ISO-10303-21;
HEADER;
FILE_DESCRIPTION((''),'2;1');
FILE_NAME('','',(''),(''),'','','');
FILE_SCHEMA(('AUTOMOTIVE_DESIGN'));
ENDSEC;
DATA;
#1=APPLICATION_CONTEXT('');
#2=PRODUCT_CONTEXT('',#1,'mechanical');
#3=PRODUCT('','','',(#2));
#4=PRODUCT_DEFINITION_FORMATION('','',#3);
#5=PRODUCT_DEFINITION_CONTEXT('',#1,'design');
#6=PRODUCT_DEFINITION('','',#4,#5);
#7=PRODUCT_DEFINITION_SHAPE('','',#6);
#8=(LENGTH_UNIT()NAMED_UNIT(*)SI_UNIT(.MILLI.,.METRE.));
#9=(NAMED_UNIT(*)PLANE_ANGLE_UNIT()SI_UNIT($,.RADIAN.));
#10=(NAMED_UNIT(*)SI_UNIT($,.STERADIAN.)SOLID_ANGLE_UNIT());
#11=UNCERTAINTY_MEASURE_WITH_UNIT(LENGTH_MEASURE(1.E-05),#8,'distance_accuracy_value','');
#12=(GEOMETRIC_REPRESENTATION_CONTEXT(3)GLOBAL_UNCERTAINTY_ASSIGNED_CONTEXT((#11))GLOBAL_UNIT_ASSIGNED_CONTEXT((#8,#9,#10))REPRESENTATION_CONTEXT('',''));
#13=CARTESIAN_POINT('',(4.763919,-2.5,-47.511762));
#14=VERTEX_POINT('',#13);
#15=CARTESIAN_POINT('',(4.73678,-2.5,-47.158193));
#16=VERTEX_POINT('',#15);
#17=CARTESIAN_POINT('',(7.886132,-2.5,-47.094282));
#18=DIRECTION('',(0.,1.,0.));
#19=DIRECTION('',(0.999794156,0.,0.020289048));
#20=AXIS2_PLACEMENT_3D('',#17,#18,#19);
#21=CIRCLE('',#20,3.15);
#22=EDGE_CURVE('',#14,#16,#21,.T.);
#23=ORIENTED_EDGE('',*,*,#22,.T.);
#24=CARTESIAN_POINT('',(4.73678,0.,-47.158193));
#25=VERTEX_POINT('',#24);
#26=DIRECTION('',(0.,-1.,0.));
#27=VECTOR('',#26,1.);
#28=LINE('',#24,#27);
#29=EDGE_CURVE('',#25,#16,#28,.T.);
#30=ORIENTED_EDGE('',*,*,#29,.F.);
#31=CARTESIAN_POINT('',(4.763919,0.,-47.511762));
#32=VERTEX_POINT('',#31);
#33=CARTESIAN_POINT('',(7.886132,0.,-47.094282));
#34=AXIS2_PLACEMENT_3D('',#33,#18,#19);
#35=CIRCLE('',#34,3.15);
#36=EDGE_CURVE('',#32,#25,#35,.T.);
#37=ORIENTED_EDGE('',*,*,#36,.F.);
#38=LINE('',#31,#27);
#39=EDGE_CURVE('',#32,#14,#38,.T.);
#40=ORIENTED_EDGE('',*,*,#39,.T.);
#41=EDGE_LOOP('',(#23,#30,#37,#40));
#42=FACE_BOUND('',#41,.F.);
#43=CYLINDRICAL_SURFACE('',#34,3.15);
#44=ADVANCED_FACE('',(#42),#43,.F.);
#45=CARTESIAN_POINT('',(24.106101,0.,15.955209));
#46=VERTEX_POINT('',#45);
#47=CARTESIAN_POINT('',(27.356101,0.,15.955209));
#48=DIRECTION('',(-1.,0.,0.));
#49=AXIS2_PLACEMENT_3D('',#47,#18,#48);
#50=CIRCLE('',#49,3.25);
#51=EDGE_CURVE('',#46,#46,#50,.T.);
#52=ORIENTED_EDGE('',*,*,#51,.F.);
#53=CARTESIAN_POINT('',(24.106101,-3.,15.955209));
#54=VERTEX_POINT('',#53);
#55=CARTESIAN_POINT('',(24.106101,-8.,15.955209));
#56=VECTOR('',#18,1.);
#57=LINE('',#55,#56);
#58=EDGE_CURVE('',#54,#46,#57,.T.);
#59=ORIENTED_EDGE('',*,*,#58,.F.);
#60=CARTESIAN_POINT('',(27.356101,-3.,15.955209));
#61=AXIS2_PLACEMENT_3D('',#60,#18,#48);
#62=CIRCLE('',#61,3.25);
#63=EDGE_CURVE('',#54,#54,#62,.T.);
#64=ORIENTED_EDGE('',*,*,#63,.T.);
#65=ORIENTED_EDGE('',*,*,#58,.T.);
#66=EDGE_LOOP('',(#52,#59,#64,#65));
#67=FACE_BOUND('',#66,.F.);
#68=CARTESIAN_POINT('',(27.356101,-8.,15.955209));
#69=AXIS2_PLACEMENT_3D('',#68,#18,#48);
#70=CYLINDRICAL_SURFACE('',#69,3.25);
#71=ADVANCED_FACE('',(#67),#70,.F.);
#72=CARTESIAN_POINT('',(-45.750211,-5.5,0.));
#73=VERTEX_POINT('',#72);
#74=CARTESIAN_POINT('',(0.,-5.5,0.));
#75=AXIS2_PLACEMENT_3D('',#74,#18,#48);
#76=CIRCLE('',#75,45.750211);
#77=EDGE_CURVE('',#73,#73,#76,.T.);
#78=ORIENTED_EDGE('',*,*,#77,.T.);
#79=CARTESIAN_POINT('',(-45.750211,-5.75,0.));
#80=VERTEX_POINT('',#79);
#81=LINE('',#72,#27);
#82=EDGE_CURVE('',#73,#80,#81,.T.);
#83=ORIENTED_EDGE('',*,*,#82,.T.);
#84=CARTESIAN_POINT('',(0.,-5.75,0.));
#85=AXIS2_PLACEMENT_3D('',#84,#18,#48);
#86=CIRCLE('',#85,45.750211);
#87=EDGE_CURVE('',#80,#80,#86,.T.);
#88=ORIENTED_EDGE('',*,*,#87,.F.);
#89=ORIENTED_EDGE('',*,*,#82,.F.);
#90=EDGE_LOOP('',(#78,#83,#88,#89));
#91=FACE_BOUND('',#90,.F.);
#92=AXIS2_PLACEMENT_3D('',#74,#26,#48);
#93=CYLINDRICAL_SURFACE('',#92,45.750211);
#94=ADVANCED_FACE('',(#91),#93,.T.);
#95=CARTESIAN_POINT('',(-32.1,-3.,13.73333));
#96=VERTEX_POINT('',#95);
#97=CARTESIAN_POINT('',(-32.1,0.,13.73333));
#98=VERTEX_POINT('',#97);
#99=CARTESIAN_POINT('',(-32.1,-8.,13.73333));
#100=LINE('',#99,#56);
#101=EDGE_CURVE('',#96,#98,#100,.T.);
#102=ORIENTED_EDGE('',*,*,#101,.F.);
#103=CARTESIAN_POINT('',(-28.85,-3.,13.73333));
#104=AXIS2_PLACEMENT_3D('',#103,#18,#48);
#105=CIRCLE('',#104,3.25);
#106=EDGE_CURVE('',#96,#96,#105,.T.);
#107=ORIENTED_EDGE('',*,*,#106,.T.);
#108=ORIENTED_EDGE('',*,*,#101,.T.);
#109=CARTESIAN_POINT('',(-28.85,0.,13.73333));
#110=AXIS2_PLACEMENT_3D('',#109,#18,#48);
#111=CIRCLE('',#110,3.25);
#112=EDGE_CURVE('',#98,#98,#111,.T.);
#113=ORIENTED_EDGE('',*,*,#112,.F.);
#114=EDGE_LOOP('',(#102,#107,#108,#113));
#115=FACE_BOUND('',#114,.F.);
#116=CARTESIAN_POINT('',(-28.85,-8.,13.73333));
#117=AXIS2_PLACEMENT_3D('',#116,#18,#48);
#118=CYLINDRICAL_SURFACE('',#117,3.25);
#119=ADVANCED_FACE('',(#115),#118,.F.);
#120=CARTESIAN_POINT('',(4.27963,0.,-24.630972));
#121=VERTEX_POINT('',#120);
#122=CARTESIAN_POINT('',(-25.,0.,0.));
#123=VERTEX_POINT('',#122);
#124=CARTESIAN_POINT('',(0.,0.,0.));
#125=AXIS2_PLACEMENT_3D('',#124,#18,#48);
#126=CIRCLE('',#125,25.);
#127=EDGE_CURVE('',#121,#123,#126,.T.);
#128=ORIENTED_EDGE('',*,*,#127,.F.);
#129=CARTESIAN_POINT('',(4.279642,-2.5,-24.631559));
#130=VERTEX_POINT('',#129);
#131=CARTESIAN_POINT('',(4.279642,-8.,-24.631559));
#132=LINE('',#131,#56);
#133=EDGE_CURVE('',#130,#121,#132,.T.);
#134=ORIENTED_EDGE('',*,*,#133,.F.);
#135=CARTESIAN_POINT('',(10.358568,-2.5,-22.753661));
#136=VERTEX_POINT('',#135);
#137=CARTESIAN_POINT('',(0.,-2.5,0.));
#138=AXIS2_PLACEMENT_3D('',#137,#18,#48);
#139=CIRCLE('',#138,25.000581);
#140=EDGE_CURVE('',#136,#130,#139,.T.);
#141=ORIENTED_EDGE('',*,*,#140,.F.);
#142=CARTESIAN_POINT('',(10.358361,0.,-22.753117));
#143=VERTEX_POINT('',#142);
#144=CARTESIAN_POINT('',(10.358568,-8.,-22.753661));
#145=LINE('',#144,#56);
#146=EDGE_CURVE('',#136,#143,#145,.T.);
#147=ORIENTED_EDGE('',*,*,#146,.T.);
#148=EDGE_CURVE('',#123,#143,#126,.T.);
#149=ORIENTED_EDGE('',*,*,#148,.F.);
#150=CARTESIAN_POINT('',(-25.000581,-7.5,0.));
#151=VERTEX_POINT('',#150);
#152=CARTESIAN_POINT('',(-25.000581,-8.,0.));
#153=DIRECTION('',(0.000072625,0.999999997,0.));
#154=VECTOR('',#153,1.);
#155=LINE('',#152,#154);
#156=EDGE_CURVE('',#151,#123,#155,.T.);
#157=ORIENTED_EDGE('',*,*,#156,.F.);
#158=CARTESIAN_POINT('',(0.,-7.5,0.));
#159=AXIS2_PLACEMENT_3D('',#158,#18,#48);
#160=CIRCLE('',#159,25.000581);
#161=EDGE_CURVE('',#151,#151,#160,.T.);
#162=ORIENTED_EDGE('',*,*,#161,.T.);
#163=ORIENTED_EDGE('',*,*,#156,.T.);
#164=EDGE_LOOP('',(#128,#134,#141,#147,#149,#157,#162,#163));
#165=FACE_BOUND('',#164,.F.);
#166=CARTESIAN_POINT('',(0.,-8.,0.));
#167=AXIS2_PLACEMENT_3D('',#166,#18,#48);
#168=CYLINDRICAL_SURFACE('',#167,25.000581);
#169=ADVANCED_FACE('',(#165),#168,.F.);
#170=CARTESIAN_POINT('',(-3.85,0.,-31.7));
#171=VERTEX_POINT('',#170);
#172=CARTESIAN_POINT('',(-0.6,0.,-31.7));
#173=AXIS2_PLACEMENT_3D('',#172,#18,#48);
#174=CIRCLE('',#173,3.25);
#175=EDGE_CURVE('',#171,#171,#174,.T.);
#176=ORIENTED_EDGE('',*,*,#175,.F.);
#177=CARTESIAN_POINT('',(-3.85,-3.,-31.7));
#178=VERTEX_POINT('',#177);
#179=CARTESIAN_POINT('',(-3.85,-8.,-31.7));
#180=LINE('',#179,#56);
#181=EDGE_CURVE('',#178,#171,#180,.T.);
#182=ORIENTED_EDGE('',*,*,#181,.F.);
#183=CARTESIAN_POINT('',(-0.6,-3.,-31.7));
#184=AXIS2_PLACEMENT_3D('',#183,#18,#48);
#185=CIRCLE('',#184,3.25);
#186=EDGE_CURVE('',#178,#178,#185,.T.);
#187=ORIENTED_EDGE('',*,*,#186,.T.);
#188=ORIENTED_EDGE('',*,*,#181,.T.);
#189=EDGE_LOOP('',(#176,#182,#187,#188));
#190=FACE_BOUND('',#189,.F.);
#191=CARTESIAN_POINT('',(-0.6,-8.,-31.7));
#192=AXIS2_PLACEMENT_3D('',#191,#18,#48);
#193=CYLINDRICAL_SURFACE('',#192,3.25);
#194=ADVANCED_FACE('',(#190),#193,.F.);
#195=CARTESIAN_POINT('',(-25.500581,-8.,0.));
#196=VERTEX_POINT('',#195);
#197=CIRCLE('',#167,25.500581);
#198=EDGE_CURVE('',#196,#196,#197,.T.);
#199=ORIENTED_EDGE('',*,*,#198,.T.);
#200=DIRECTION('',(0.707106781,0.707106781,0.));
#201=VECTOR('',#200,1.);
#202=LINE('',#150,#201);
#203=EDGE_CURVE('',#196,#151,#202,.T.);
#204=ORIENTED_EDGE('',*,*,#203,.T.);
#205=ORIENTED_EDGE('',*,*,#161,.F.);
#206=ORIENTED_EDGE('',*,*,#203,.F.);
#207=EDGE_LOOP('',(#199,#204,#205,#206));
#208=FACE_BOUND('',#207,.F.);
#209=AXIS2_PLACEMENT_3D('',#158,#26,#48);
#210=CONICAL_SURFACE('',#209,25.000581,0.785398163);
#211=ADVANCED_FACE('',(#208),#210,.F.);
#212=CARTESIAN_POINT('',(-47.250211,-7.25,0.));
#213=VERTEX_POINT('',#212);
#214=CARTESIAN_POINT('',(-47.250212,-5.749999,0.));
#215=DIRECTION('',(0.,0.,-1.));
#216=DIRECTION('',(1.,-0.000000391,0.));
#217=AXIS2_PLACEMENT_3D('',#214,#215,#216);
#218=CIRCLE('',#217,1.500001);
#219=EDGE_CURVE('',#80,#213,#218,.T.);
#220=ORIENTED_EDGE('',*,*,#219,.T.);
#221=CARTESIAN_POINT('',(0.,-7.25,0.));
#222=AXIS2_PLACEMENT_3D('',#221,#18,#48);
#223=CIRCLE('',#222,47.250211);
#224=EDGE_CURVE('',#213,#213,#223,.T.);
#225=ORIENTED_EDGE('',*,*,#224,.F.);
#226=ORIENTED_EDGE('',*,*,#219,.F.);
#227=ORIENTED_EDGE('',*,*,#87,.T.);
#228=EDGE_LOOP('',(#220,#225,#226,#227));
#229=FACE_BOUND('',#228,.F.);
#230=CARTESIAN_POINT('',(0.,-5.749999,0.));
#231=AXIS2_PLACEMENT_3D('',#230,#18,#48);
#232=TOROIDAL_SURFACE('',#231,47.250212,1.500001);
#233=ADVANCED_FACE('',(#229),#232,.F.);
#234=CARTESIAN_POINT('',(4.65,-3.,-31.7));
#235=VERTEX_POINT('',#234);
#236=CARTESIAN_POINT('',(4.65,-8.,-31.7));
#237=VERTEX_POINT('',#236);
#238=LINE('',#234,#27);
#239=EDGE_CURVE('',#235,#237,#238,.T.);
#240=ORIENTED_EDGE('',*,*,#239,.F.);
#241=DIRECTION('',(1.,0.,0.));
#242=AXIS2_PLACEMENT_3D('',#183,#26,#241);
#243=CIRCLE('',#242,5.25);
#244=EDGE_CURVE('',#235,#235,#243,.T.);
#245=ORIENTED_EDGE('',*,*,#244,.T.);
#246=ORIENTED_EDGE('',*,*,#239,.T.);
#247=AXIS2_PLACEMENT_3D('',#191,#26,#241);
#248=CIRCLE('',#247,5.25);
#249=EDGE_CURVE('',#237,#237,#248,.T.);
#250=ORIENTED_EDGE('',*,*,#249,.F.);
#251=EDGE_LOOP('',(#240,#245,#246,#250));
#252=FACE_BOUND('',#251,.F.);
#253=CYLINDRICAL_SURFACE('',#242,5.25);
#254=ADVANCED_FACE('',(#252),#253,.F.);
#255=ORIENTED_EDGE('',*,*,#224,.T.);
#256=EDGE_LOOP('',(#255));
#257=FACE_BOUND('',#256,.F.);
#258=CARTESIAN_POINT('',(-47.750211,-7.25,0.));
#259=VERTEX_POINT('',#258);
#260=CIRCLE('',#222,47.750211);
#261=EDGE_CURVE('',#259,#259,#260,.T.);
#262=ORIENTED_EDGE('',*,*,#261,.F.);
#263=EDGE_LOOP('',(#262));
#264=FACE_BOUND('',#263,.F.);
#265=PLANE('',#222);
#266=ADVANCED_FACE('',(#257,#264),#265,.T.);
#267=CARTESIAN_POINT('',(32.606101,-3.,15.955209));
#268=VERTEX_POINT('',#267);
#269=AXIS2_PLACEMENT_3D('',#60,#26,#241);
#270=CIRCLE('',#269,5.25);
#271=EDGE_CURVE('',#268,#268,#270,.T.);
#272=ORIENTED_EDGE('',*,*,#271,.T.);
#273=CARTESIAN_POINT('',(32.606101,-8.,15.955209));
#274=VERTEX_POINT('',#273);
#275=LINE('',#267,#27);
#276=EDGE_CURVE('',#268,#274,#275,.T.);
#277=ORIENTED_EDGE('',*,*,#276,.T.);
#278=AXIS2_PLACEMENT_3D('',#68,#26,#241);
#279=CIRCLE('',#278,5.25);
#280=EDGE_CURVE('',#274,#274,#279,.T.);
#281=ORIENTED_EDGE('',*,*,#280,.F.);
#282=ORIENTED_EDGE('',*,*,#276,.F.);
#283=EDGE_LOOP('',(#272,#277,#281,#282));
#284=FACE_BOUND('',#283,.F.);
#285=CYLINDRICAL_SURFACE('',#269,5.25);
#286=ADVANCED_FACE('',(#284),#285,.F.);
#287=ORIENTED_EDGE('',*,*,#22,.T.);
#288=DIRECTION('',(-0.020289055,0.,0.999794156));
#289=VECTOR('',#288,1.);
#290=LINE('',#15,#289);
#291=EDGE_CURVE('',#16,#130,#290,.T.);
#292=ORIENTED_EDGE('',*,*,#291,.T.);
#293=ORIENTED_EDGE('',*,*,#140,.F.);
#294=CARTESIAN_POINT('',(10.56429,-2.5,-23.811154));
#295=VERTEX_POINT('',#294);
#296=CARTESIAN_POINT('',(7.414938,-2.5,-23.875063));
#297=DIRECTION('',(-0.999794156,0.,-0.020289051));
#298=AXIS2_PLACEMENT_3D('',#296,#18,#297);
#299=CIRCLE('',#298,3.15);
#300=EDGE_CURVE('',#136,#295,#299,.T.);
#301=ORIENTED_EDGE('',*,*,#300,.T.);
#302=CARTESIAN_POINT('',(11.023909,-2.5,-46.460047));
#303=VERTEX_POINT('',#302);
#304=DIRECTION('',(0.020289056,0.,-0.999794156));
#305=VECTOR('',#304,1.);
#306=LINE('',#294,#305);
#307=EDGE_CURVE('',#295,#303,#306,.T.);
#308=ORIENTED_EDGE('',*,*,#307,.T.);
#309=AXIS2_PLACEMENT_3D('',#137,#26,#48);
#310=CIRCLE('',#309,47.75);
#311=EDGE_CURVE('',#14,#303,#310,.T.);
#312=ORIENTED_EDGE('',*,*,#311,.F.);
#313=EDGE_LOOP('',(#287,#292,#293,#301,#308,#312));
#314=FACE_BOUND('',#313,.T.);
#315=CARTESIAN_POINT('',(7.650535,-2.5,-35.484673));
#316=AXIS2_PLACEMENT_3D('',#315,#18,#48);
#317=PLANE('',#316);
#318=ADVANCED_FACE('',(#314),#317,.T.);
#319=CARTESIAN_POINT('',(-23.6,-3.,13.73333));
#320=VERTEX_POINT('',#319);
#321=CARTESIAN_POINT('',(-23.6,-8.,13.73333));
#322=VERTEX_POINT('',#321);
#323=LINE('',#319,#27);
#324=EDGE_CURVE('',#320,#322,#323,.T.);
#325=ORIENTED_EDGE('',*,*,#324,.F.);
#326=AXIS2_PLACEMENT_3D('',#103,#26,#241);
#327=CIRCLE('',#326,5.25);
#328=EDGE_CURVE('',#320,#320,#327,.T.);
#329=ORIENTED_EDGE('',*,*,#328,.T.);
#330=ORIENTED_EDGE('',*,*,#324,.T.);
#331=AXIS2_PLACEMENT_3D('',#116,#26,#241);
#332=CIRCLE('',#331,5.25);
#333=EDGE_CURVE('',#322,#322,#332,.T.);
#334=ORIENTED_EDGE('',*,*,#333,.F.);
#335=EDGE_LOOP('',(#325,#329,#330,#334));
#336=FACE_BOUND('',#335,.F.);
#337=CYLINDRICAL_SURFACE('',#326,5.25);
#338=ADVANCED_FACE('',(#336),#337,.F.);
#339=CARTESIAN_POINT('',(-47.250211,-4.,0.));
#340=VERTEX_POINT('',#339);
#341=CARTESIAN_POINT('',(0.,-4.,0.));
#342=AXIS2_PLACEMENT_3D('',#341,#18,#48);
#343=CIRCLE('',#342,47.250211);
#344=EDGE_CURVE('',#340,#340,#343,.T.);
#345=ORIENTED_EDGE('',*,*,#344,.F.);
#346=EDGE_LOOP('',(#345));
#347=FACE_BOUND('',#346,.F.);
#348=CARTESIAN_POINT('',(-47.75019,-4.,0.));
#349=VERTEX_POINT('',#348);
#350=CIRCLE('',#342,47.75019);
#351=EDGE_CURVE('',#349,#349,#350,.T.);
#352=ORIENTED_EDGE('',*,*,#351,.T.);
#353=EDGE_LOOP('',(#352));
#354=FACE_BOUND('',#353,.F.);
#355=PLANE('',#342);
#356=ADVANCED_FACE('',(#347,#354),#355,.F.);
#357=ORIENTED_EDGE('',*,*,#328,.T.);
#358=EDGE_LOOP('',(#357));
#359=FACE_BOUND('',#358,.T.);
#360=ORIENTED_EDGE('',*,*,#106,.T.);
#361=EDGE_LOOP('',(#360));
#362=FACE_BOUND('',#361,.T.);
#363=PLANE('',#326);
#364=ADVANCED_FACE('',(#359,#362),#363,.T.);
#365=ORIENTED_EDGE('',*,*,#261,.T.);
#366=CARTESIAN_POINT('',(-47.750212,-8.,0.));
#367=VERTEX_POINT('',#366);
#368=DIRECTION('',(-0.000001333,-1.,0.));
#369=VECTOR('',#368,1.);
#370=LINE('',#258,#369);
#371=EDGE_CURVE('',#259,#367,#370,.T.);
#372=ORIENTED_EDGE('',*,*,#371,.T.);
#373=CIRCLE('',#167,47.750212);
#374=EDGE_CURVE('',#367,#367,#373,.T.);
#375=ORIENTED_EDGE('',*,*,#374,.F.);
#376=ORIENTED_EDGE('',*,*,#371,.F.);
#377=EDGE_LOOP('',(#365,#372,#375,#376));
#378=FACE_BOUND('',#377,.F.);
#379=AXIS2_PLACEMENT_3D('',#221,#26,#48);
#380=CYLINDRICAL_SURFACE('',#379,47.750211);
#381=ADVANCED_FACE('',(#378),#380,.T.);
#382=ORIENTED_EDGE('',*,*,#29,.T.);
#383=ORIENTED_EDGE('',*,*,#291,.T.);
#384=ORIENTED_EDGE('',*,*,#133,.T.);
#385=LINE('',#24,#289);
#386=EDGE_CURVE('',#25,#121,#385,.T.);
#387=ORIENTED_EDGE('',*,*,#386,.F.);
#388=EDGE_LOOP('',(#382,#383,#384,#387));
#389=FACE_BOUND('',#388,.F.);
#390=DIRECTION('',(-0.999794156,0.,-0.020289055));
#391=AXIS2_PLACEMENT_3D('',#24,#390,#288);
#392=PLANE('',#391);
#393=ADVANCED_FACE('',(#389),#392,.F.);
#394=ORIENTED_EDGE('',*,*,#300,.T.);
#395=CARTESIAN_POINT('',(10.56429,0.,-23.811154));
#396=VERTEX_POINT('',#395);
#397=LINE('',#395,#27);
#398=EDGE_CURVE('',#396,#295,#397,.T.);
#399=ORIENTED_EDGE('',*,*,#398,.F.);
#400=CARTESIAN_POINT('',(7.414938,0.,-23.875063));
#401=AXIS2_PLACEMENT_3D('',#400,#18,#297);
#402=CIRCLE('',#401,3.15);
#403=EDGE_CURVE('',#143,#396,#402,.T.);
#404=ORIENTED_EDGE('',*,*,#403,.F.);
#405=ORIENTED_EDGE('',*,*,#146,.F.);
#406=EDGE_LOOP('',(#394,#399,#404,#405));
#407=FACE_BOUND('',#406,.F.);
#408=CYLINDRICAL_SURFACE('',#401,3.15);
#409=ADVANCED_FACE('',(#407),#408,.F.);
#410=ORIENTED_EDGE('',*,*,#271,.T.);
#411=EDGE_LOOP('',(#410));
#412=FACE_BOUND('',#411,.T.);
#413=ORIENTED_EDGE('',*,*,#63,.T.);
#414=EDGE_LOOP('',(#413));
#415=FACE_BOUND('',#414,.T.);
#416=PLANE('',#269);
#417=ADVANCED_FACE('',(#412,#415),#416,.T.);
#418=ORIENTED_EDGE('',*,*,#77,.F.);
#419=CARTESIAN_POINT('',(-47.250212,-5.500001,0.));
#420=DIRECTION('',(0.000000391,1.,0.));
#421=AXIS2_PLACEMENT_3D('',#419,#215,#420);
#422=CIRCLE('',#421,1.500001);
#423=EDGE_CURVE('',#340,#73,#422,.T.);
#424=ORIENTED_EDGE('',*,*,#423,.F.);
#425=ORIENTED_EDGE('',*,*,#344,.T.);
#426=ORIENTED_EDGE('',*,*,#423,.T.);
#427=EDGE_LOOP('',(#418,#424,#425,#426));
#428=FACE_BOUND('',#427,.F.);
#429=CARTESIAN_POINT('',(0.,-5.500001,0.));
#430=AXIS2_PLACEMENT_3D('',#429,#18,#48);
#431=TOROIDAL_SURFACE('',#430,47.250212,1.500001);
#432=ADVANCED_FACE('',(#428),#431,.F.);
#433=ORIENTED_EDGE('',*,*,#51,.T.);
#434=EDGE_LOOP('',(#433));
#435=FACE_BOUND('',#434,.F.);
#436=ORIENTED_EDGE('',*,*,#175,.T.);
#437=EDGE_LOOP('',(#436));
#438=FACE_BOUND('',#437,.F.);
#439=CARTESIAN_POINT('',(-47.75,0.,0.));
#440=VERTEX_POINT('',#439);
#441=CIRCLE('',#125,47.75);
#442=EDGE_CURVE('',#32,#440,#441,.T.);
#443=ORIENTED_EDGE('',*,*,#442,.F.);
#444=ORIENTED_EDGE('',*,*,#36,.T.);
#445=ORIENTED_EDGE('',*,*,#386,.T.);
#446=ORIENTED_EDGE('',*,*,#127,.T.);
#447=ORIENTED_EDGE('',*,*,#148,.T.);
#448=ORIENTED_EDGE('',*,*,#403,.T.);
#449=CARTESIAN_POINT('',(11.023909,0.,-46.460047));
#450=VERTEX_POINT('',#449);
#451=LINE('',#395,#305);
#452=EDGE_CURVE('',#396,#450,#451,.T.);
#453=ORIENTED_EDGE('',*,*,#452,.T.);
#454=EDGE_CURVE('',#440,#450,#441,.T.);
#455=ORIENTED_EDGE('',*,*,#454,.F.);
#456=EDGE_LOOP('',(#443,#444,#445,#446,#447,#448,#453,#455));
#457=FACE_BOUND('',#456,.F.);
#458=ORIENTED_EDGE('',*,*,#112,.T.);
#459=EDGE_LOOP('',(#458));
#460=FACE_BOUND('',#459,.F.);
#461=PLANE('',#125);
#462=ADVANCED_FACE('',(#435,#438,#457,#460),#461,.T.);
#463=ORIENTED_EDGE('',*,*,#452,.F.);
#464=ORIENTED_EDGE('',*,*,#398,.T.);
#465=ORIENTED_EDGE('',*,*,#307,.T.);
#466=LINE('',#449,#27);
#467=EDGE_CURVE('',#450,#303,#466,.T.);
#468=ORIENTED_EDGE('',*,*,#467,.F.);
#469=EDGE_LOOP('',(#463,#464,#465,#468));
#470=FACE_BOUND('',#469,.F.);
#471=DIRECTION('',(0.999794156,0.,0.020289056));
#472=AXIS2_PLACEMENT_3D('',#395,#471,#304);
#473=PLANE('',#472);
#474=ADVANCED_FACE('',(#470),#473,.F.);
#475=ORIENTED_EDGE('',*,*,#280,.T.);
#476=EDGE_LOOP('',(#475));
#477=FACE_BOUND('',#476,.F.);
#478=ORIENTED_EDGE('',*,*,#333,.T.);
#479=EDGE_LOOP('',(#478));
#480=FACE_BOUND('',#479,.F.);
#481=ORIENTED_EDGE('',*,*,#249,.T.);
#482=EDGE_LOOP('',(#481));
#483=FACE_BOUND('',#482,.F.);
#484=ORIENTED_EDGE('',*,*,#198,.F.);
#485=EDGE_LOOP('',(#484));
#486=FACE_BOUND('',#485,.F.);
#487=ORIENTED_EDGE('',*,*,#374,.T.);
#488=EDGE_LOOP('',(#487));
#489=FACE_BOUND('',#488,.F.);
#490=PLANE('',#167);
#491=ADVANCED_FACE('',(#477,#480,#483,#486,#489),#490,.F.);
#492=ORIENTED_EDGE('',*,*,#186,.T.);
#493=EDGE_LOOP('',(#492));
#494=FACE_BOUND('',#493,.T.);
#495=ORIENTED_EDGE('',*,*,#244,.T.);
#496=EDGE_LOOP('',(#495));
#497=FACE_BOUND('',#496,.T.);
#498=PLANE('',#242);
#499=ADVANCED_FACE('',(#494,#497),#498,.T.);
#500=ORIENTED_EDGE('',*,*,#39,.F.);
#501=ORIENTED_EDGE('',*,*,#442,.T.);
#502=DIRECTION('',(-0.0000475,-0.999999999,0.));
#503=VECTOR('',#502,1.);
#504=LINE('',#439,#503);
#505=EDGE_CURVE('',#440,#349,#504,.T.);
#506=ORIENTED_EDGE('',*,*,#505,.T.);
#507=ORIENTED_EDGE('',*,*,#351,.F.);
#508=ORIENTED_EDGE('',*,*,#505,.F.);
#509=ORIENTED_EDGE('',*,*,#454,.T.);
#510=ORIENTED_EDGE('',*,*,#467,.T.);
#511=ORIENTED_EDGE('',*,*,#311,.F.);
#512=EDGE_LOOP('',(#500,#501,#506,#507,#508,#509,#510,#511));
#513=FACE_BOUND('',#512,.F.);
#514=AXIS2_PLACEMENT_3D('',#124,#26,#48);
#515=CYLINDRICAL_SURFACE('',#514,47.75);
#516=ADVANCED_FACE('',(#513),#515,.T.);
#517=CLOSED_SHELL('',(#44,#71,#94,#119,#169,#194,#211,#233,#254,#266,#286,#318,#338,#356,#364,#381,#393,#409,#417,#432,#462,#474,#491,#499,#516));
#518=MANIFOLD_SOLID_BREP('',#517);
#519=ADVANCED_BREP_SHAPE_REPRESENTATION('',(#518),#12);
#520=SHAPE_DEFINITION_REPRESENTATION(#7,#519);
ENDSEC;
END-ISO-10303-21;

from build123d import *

# Parameters (mm, degrees)
F2_SIZE        = 0.5
F4_DEPTH       = 2.5
F6_D           = 6.5
F6_CBORE_D     = 10.5
F6_CBORE_DEPTH = 5


with BuildPart() as f1:
    # F0 (on Top) → F1 (revolve)
    with BuildSketch(Plane.XY):
        with BuildLine():
            Line((-47.750211, -7.25), (-47.750212, -8))
            Line((-47.750212, -8), (-25.000581, -8))
            Line((-25.000581, -8), (-25, 0))
            Line((-25, 0), (-47.75, 0))
            Line((-47.75, 0), (-47.75019, -4))
            Line((-47.75019, -4), (-47.250211, -4))
            ThreePointArc((-47.250211, -4), (-46.189551, -4.43934), (-45.750211, -5.5))
            Line((-45.750211, -5.5), (-45.750211, -5.75))
            ThreePointArc((-45.750211, -5.75), (-46.189551, -6.81066), (-47.250211, -7.25))
            Line((-47.250211, -7.25), (-47.750211, -7.25))
        make_face()
    revolve(axis=Axis((0, 4.349666, 0), (0, 1, 0)))

    # F2
    f2_edges = [f1.edges().sort_by_distance(p)[0] for p in [
        (25.000581, -8, 0),
    ]]
    chamfer(f2_edges, length=F2_SIZE)

    # F3 (on face) → F4 (cut)
    with BuildSketch(Plane(origin=(0, 0, 0), x_dir=(-1, 0, 0), z_dir=(0, 1, 0))):
        with BuildLine():
            ThreePointArc((-4.265587, -23.938974), (-7.351028, -20.725712), (-10.56429, -23.811154))
            Line((-10.56429, -23.811154), (-11.035483, -47.030372))
            ThreePointArc((-11.035483, -47.030372), (-7.950042, -50.243634), (-4.73678, -47.158193))
            Line((-4.73678, -47.158193), (-4.265587, -23.938974))
        make_face()
    extrude(amount=-F4_DEPTH, mode=Mode.SUBTRACT)

    # F6 (through all)
    with Locations(Plane.XZ.offset(8)):
        with Locations((-28.85, 13.73333), (27.356101, 15.955209), (-0.6, -31.7)):
            CounterBoreHole(F6_D / 2, F6_CBORE_D / 2, F6_CBORE_DEPTH)


solid = f1.part
